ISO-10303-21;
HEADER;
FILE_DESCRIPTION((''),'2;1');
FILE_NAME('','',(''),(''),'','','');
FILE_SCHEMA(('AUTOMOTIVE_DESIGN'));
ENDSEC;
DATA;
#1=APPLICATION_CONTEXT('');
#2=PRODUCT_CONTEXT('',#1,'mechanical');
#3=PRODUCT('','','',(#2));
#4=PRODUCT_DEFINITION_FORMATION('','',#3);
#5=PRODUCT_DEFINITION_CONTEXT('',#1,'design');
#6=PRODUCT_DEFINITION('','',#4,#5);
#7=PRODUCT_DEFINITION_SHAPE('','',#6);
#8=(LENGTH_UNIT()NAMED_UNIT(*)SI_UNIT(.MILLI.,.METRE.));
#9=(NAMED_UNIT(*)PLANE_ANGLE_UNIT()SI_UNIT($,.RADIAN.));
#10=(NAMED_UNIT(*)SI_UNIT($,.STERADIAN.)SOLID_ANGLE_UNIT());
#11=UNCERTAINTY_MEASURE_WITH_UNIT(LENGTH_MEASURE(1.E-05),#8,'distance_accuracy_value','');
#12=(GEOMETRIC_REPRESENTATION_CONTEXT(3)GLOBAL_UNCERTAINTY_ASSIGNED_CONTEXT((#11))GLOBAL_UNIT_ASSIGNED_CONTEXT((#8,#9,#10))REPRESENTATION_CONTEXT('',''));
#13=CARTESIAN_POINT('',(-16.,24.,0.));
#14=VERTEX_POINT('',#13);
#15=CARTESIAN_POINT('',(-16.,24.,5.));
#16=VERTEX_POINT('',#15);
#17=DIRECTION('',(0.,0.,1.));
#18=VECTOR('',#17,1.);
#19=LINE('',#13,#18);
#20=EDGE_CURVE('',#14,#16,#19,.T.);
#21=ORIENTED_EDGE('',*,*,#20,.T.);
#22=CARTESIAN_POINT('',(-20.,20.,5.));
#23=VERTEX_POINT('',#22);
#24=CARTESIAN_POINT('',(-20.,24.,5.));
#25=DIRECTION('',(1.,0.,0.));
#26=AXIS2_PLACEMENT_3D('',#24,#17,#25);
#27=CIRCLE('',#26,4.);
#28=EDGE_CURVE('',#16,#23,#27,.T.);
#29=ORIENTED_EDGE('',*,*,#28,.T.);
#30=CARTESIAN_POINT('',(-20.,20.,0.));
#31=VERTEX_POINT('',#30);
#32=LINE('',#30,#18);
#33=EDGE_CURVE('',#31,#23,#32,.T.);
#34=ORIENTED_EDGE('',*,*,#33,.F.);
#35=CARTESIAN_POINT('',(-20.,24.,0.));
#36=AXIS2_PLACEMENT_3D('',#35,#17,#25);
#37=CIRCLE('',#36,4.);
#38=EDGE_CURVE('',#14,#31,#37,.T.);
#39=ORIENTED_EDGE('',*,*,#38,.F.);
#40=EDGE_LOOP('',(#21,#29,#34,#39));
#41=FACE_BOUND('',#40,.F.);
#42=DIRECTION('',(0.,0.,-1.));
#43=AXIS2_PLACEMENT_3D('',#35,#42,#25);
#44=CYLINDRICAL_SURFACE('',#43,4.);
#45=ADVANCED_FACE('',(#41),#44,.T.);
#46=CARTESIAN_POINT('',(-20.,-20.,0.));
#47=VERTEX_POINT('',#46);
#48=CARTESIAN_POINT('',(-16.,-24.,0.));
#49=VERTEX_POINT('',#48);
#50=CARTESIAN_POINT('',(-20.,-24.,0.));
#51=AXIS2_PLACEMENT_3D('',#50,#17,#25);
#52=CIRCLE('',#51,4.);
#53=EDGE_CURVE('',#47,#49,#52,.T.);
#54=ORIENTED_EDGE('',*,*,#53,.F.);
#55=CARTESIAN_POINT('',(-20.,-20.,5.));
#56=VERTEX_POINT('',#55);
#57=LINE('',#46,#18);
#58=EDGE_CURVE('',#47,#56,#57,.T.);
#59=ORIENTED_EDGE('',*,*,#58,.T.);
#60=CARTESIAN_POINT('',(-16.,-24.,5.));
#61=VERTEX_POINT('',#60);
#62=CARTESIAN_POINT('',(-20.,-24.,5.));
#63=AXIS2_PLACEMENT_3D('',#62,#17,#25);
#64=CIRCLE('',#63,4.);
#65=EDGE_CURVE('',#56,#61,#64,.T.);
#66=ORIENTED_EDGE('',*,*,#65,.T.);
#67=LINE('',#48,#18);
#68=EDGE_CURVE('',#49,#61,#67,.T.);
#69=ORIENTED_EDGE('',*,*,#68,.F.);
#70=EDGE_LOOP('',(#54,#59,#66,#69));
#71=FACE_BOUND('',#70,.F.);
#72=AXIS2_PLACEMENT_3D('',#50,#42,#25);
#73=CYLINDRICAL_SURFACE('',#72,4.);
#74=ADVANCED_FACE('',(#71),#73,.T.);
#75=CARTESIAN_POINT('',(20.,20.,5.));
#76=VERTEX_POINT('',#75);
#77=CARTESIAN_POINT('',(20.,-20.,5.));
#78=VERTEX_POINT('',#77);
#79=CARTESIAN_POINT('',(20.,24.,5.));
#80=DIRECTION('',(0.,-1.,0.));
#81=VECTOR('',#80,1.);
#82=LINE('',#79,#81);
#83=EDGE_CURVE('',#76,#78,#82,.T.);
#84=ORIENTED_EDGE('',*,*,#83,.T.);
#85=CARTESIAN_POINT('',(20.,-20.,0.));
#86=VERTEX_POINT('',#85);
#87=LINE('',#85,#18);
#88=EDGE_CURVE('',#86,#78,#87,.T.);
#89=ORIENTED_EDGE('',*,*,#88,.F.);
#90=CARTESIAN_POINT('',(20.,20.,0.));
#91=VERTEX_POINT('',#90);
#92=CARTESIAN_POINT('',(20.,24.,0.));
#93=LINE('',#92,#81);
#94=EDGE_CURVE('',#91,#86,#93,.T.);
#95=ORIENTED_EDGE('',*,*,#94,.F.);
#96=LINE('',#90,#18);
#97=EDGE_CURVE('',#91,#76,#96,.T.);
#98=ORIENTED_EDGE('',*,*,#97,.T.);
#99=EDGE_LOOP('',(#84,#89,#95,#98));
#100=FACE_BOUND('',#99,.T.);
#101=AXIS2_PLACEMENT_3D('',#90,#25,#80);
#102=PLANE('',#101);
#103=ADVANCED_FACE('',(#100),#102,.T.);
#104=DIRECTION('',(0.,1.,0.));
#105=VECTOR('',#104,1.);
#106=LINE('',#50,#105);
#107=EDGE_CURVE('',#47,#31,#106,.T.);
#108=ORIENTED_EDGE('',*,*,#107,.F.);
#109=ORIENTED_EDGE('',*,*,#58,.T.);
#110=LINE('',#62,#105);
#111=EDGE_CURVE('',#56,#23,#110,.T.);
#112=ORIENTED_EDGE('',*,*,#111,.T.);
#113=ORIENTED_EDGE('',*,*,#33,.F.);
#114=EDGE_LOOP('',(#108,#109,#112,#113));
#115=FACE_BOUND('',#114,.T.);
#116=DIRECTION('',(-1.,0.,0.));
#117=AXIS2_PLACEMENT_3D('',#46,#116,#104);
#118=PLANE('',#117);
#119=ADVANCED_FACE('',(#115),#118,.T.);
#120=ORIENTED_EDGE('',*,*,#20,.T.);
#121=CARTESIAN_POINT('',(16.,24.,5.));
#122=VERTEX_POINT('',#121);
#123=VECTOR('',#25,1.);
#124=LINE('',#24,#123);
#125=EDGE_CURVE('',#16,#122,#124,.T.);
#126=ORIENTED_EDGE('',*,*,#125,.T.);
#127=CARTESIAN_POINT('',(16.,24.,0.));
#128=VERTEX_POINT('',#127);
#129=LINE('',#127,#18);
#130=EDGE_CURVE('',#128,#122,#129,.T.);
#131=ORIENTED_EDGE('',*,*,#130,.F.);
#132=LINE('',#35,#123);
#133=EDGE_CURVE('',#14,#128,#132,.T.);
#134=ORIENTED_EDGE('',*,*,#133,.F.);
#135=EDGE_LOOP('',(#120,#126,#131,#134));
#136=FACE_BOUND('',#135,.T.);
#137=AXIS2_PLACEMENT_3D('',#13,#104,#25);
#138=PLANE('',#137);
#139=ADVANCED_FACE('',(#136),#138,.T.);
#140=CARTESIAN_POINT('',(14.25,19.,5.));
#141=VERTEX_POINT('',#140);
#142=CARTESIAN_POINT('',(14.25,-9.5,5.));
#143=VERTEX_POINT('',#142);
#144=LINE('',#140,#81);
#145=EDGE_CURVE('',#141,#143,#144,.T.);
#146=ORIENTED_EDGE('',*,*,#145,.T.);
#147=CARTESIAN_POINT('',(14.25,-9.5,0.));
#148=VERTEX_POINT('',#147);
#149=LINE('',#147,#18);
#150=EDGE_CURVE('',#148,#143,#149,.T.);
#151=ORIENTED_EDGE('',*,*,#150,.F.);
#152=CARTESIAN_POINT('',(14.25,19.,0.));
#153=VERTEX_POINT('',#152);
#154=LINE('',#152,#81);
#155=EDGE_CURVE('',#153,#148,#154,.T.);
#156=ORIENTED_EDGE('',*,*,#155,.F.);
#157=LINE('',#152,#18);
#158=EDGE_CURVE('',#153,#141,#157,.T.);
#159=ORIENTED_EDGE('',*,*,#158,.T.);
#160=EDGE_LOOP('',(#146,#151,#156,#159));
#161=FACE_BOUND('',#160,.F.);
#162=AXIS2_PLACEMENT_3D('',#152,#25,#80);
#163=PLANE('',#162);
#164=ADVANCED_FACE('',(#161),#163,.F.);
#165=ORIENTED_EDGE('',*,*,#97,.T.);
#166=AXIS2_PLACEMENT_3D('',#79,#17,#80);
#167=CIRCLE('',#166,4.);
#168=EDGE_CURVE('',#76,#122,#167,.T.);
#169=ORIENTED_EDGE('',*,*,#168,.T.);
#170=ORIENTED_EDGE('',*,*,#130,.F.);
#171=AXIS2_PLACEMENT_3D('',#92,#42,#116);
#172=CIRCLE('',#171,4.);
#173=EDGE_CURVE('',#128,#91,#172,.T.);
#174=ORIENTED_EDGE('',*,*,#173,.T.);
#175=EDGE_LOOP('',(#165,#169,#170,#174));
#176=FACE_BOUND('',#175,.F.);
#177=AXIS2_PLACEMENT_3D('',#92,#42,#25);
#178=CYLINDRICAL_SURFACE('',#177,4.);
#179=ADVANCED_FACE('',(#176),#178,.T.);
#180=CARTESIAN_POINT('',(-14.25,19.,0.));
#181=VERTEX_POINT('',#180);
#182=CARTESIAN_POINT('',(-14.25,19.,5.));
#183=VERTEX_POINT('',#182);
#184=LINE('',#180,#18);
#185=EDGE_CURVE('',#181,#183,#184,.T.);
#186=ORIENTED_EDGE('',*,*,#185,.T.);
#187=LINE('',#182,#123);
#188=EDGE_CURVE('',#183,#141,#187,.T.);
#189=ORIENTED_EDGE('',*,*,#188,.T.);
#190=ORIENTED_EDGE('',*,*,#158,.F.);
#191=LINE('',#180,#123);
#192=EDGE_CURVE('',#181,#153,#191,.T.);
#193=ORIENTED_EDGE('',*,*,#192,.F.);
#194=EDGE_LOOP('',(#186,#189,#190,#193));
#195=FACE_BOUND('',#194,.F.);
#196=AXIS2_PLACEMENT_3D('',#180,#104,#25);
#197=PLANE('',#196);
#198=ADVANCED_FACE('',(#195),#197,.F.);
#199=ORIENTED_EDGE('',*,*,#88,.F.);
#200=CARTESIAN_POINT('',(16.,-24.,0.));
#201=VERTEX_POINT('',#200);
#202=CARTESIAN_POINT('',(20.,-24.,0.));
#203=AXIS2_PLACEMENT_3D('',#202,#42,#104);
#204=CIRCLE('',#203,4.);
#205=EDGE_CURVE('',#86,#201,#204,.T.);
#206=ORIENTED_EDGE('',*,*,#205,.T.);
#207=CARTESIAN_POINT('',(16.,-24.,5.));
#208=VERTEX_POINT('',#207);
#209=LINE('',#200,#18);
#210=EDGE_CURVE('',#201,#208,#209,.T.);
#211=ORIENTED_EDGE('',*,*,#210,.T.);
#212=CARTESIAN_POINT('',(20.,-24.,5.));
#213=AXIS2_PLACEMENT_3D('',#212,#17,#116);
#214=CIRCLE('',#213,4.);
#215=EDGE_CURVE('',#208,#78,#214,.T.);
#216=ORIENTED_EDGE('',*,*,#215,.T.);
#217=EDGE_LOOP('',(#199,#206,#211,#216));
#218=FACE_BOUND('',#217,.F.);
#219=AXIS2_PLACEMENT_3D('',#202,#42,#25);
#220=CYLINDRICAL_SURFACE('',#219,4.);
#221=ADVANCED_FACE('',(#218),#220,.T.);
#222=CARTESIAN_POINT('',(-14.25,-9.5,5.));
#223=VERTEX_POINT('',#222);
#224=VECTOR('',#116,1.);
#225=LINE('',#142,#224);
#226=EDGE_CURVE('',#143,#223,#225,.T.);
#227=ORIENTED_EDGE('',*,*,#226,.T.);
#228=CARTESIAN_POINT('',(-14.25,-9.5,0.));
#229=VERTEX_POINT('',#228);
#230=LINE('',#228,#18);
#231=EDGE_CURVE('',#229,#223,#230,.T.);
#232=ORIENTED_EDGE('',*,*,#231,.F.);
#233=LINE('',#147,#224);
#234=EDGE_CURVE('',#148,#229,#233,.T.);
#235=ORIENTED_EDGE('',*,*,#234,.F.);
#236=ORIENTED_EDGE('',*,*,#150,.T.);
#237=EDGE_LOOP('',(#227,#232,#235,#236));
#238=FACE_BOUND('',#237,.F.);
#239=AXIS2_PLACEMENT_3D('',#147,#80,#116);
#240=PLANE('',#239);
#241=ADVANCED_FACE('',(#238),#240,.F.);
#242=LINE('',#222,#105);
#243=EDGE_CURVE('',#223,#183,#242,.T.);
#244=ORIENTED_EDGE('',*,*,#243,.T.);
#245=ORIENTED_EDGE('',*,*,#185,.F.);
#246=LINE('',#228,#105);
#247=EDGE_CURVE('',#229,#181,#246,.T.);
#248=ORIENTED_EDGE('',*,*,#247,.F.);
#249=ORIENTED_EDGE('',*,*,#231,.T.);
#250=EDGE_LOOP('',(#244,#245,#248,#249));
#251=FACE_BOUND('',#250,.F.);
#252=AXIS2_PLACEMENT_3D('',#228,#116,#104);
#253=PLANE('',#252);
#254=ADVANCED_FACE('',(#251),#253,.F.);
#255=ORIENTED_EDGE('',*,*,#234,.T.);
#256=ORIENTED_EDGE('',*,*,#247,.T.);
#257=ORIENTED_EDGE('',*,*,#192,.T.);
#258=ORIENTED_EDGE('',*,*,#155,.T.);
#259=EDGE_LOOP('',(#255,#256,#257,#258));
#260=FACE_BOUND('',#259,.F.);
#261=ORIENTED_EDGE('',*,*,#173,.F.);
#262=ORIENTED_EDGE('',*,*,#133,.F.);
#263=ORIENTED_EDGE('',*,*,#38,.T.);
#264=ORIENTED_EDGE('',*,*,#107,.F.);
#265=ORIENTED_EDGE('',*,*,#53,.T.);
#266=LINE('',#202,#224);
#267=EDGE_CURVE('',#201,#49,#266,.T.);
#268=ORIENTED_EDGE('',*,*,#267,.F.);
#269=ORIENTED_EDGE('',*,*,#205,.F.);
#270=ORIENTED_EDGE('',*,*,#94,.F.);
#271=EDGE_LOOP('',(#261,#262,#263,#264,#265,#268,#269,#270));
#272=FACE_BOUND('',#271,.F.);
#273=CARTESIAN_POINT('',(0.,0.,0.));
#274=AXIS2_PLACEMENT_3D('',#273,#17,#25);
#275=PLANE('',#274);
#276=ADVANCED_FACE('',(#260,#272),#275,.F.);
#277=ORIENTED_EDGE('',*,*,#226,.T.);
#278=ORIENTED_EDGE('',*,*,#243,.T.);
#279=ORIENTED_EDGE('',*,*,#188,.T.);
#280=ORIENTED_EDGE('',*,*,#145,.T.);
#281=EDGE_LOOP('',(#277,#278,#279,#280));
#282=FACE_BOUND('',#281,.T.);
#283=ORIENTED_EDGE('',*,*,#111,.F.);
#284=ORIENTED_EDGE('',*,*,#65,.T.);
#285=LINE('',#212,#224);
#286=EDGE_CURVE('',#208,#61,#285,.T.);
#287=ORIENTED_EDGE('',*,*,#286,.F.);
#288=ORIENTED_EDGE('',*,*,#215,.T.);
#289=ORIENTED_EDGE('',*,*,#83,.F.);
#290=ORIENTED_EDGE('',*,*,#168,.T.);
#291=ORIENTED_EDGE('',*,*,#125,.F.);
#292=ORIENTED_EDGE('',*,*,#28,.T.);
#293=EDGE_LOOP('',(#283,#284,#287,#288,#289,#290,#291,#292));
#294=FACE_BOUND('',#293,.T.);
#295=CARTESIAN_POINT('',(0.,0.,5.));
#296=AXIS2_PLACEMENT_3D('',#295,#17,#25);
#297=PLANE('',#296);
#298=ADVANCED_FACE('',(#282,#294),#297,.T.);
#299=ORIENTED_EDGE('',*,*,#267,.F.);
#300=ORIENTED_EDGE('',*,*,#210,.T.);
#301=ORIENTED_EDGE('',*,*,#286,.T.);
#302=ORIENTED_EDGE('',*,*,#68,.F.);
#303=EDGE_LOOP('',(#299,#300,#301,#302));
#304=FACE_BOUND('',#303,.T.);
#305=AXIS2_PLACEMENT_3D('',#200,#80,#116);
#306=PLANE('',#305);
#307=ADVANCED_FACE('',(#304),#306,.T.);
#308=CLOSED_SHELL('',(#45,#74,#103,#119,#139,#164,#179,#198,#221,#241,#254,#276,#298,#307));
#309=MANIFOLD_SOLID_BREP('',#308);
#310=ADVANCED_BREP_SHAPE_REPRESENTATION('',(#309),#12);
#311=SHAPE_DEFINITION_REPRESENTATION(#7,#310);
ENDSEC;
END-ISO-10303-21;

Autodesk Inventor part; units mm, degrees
ref_plane "YZ Plane" through (0, 0, 0) normal (1, 0, 0) x (0, 1, 0)
ref_plane "XZ Plane" through (0, 0, 0) normal (0, 1, 0) x (-1, 0, 0)
ref_plane "XY Plane" through (0, 0, 0) normal (0, 0, 1) x (1, 0, 0)
sketch "Sketch1" plane through (0, 0, 0) normal (0, 0, 1) x (1, 0, 0)
  line L0 (-20, 24) -> (20, 24)
  line L1 (20, 24) -> (20, -24)
  line L2 (20, -24) -> (-20, -24)
  line L3 (-20, -24) -> (-20, 24)
  line L4 (-14.25, 19) -> (14.25, 19)
  line L5 (14.25, 19) -> (14.25, -9.5)
  line L6 (14.25, -9.5) -> (-14.25, -9.5)
  line L7 (-14.25, -9.5) -> (-14.25, 19)
  circle A0 centre (-20, 24) radius 4
  circle A1 centre (20, 24) radius 4
  circle A2 centre (20, -24) radius 4
  circle A3 centre (-20, -24) radius 4
  point P0 (20, 0)
  point P1 (0, 24)
  point P2 (0, 0)
  point P3 (-20, 0)
  point P4 (0, 19)
  dimension "d0" = 40
  dimension "d1" = 48
  dimension "d3" = 5
  dimension "d4" = 28.5
  dimension "d5" = 28.5
  dimension "d8" = 8
  dimension "d9" = 8
  dimension "d10" = 8
  dimension "d11" = 8
extrude "Extrusion1" add sketch "Sketch1" along normal blind 5
properties part number "cubierta OLED"
